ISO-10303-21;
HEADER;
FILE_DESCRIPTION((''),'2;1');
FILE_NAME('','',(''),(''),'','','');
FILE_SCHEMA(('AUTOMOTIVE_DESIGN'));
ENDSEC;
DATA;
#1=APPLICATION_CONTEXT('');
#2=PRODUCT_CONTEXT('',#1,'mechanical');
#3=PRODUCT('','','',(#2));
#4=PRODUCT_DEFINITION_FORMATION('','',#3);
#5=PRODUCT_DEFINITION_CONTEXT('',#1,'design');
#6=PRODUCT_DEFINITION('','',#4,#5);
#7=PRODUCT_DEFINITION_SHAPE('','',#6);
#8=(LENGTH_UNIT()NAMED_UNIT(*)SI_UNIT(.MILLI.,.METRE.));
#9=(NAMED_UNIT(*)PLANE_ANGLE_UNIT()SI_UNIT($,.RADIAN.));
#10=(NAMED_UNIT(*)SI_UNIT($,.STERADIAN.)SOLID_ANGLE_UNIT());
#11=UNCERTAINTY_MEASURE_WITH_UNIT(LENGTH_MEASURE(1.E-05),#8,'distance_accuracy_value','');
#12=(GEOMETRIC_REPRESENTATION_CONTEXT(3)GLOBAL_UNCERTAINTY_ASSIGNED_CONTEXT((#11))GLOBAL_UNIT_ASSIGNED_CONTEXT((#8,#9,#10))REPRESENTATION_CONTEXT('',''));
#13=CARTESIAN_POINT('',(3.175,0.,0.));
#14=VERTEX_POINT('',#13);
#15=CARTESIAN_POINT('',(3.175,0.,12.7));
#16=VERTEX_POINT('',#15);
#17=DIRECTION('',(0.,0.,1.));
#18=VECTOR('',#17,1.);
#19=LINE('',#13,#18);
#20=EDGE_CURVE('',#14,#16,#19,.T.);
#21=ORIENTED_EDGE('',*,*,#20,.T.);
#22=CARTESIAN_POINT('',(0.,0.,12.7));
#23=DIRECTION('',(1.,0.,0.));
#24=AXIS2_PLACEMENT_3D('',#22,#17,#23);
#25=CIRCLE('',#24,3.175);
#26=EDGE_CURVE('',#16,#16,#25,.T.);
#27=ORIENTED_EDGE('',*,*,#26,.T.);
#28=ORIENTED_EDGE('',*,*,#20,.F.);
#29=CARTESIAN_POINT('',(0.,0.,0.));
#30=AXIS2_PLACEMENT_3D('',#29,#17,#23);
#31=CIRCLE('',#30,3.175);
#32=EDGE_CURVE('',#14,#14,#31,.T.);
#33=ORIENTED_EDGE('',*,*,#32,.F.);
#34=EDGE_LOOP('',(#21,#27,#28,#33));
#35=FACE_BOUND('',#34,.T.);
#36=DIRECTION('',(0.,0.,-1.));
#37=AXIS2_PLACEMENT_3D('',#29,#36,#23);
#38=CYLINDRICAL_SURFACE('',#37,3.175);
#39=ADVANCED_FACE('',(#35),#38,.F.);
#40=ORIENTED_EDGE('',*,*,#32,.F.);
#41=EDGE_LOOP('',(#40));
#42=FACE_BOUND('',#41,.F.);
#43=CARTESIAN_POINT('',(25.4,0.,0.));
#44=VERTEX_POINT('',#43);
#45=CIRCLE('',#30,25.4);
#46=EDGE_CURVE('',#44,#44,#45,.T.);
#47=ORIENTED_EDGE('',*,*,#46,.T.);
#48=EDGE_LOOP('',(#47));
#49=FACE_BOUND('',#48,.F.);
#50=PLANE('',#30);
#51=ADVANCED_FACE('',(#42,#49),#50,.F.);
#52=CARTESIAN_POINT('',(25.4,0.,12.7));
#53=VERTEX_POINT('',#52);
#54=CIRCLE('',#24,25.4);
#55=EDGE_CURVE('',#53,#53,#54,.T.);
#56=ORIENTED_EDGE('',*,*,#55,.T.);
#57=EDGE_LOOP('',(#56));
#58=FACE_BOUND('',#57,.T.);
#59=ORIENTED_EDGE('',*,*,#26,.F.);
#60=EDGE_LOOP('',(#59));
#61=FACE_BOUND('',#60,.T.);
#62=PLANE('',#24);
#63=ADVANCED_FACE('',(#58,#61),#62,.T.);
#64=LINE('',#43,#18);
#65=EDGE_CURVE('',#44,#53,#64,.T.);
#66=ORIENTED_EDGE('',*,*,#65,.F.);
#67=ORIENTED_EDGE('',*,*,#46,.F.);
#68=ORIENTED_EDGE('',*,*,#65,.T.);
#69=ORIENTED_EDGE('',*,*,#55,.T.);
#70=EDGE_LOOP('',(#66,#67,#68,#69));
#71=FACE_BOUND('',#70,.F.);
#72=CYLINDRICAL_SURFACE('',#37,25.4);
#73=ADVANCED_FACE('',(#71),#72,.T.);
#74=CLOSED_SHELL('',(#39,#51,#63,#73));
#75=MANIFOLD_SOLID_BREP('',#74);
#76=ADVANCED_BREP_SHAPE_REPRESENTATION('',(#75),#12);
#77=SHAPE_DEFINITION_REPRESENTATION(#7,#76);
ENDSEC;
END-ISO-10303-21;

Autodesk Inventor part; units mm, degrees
ref_plane "YZ Plane" through (0, 0, 0) normal (1, 0, 0) x (0, 1, 0)
ref_plane "XZ Plane" through (0, 0, 0) normal (0, 1, 0) x (-1, 0, 0)
ref_plane "XY Plane" through (0, 0, 0) normal (0, 0, 1) x (1, 0, 0)
sketch "Sketch1" plane through (0, 0, 0) normal (0, 0, 1) x (1, 0, 0)
  circle A0 centre (0, 0) radius 25.4
  circle A1 centre (0, 0) radius 3.175
  dimension "d0" = 50.8
  dimension "d1" = 6.35
extrude "Extrusion1" add sketch "Sketch1" along normal blind 12.7
properties part number "pulley" material "Aluminum 6061"
